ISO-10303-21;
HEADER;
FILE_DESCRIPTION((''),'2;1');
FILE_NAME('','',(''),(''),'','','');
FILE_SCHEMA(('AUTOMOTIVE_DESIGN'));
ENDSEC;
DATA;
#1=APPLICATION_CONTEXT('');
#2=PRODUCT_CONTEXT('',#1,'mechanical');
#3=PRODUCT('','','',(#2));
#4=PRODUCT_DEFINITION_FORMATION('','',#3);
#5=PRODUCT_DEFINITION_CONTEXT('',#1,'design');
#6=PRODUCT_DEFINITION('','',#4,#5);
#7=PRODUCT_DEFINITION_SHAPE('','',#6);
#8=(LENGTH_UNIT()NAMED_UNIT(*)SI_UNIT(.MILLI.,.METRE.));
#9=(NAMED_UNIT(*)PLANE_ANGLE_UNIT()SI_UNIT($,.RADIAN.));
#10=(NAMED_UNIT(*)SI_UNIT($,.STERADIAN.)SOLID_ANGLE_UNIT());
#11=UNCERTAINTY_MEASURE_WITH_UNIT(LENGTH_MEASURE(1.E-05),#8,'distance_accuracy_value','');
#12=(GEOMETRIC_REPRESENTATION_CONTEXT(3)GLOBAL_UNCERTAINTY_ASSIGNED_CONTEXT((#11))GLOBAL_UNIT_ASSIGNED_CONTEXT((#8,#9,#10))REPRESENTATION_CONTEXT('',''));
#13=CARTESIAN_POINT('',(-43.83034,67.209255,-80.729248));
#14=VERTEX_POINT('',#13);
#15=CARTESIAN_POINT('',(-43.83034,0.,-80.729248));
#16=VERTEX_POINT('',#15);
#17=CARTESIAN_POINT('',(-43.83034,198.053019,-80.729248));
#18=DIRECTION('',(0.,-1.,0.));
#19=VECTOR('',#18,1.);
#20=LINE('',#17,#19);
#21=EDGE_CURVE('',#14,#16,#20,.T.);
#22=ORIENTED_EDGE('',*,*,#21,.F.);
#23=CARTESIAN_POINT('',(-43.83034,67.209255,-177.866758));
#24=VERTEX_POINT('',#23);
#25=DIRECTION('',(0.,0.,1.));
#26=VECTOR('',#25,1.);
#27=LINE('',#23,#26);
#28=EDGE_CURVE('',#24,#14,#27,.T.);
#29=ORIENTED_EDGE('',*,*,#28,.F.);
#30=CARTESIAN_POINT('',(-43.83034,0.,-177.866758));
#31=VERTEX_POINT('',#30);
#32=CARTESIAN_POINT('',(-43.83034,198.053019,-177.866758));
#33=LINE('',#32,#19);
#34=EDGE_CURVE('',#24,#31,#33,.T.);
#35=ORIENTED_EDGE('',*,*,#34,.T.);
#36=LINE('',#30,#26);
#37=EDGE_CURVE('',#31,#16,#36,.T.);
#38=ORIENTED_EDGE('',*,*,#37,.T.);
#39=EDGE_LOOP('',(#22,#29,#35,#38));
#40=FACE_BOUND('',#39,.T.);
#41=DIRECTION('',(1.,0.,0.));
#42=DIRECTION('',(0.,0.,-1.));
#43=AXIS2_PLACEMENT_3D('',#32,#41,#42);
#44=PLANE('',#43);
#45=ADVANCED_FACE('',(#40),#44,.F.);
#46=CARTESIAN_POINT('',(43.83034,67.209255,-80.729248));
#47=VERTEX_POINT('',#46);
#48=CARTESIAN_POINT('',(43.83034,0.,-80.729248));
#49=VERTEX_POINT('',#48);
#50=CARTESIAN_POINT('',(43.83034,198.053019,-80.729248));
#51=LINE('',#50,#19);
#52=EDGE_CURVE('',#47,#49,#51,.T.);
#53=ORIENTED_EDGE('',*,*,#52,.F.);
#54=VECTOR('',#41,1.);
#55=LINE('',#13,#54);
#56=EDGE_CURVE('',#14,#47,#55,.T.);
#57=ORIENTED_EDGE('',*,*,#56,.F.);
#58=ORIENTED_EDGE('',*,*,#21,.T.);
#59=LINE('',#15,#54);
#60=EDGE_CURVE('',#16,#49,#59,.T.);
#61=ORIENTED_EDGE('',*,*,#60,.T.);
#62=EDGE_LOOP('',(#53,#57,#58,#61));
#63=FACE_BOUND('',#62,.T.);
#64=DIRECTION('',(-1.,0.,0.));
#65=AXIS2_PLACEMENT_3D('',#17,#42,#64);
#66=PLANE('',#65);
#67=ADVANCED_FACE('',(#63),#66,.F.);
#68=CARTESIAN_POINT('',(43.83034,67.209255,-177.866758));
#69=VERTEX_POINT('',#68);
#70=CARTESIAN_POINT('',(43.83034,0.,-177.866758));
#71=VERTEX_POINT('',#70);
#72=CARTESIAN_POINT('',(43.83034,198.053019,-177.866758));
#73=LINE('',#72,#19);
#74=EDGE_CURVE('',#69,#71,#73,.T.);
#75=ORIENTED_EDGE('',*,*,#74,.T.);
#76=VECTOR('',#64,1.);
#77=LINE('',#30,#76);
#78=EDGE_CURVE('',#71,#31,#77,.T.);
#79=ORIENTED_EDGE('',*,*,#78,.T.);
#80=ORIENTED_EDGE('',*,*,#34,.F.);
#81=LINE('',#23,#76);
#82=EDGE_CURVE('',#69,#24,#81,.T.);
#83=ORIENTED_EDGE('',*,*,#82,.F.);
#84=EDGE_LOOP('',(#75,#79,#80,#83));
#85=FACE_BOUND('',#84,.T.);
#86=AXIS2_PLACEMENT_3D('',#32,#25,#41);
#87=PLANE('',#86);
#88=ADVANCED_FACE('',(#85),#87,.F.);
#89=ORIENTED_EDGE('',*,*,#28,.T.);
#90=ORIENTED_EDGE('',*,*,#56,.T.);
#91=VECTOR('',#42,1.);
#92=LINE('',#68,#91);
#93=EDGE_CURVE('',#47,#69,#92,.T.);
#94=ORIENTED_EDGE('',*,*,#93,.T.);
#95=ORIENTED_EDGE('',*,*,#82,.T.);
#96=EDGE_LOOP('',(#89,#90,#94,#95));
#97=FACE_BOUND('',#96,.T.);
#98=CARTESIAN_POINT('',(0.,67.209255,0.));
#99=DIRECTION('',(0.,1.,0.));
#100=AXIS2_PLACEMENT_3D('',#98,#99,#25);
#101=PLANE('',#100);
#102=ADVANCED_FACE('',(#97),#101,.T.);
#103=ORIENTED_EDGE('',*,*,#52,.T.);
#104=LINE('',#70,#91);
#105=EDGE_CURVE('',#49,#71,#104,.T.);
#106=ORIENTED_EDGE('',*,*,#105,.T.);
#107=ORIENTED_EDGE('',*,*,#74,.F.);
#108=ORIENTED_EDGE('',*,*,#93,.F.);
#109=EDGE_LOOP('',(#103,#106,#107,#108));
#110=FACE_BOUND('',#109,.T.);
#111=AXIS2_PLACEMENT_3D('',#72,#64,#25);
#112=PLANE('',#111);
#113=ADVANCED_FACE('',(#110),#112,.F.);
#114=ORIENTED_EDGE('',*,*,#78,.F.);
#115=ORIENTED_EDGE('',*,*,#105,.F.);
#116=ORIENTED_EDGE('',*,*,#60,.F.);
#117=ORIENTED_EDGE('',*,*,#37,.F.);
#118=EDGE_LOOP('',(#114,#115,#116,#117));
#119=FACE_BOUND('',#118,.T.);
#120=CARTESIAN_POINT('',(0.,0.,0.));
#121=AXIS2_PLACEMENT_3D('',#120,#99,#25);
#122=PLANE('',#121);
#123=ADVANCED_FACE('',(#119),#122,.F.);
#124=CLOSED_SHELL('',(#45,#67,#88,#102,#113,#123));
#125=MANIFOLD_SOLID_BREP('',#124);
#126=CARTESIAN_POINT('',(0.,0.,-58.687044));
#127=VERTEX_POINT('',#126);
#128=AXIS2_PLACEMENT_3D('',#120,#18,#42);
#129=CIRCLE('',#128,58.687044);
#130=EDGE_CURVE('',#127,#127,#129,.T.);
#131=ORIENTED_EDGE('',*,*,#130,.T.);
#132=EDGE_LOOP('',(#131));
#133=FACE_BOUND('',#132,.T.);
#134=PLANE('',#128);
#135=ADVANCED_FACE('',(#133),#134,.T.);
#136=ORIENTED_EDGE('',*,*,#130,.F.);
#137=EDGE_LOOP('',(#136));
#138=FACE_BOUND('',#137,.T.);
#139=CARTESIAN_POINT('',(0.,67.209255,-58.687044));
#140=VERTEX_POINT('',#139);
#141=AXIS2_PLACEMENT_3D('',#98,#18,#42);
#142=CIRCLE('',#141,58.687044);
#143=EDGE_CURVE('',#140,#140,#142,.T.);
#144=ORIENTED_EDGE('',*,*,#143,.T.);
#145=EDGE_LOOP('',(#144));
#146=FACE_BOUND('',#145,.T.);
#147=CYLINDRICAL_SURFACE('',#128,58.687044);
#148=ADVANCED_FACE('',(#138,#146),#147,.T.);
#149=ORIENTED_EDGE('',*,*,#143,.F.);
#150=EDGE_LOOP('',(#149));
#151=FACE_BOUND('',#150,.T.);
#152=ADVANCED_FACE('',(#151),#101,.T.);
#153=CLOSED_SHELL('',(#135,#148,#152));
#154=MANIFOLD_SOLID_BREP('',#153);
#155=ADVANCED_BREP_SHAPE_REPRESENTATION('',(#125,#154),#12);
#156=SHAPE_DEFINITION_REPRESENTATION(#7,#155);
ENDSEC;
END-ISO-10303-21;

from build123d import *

# Parameters (mm, degrees)
SKETCH1_W           = 58.68704402
SKETCH1_H           = 67.209255033
SKETCH2_W           = 87.660679444
SKETCH2_H           = 97.137509655
BOSS_EXTRUDE1_DEPTH = 67.209255033


with BuildPart() as part:
    # Sketch1 → Revolve1 (revolve)
    with BuildSketch(Plane.XY, mode=Mode.PRIVATE) as revolve1_sk:
        with Locations((29.34352201, 33.604627517)):
            Rectangle(SKETCH1_W, SKETCH1_H)
    revolve(revolve1_sk.sketch.rotate(Axis((0, 0, 0), (0, 1, 0)), 90), axis=Axis((0, 0, 0), (0, 1, 0)))


with BuildPart() as body_2:
    # Sketch2 → Boss-Extrude1 (new body)
    with BuildSketch(Plane(origin=(0, 0, 0), x_dir=(1, 0, 0), z_dir=(0, 1, 0))):
        with Locations((0, 129.298002943)):
            Rectangle(SKETCH2_W, SKETCH2_H)
    extrude(amount=BOSS_EXTRUDE1_DEPTH)


solid = Compound([part.part, body_2.part])
